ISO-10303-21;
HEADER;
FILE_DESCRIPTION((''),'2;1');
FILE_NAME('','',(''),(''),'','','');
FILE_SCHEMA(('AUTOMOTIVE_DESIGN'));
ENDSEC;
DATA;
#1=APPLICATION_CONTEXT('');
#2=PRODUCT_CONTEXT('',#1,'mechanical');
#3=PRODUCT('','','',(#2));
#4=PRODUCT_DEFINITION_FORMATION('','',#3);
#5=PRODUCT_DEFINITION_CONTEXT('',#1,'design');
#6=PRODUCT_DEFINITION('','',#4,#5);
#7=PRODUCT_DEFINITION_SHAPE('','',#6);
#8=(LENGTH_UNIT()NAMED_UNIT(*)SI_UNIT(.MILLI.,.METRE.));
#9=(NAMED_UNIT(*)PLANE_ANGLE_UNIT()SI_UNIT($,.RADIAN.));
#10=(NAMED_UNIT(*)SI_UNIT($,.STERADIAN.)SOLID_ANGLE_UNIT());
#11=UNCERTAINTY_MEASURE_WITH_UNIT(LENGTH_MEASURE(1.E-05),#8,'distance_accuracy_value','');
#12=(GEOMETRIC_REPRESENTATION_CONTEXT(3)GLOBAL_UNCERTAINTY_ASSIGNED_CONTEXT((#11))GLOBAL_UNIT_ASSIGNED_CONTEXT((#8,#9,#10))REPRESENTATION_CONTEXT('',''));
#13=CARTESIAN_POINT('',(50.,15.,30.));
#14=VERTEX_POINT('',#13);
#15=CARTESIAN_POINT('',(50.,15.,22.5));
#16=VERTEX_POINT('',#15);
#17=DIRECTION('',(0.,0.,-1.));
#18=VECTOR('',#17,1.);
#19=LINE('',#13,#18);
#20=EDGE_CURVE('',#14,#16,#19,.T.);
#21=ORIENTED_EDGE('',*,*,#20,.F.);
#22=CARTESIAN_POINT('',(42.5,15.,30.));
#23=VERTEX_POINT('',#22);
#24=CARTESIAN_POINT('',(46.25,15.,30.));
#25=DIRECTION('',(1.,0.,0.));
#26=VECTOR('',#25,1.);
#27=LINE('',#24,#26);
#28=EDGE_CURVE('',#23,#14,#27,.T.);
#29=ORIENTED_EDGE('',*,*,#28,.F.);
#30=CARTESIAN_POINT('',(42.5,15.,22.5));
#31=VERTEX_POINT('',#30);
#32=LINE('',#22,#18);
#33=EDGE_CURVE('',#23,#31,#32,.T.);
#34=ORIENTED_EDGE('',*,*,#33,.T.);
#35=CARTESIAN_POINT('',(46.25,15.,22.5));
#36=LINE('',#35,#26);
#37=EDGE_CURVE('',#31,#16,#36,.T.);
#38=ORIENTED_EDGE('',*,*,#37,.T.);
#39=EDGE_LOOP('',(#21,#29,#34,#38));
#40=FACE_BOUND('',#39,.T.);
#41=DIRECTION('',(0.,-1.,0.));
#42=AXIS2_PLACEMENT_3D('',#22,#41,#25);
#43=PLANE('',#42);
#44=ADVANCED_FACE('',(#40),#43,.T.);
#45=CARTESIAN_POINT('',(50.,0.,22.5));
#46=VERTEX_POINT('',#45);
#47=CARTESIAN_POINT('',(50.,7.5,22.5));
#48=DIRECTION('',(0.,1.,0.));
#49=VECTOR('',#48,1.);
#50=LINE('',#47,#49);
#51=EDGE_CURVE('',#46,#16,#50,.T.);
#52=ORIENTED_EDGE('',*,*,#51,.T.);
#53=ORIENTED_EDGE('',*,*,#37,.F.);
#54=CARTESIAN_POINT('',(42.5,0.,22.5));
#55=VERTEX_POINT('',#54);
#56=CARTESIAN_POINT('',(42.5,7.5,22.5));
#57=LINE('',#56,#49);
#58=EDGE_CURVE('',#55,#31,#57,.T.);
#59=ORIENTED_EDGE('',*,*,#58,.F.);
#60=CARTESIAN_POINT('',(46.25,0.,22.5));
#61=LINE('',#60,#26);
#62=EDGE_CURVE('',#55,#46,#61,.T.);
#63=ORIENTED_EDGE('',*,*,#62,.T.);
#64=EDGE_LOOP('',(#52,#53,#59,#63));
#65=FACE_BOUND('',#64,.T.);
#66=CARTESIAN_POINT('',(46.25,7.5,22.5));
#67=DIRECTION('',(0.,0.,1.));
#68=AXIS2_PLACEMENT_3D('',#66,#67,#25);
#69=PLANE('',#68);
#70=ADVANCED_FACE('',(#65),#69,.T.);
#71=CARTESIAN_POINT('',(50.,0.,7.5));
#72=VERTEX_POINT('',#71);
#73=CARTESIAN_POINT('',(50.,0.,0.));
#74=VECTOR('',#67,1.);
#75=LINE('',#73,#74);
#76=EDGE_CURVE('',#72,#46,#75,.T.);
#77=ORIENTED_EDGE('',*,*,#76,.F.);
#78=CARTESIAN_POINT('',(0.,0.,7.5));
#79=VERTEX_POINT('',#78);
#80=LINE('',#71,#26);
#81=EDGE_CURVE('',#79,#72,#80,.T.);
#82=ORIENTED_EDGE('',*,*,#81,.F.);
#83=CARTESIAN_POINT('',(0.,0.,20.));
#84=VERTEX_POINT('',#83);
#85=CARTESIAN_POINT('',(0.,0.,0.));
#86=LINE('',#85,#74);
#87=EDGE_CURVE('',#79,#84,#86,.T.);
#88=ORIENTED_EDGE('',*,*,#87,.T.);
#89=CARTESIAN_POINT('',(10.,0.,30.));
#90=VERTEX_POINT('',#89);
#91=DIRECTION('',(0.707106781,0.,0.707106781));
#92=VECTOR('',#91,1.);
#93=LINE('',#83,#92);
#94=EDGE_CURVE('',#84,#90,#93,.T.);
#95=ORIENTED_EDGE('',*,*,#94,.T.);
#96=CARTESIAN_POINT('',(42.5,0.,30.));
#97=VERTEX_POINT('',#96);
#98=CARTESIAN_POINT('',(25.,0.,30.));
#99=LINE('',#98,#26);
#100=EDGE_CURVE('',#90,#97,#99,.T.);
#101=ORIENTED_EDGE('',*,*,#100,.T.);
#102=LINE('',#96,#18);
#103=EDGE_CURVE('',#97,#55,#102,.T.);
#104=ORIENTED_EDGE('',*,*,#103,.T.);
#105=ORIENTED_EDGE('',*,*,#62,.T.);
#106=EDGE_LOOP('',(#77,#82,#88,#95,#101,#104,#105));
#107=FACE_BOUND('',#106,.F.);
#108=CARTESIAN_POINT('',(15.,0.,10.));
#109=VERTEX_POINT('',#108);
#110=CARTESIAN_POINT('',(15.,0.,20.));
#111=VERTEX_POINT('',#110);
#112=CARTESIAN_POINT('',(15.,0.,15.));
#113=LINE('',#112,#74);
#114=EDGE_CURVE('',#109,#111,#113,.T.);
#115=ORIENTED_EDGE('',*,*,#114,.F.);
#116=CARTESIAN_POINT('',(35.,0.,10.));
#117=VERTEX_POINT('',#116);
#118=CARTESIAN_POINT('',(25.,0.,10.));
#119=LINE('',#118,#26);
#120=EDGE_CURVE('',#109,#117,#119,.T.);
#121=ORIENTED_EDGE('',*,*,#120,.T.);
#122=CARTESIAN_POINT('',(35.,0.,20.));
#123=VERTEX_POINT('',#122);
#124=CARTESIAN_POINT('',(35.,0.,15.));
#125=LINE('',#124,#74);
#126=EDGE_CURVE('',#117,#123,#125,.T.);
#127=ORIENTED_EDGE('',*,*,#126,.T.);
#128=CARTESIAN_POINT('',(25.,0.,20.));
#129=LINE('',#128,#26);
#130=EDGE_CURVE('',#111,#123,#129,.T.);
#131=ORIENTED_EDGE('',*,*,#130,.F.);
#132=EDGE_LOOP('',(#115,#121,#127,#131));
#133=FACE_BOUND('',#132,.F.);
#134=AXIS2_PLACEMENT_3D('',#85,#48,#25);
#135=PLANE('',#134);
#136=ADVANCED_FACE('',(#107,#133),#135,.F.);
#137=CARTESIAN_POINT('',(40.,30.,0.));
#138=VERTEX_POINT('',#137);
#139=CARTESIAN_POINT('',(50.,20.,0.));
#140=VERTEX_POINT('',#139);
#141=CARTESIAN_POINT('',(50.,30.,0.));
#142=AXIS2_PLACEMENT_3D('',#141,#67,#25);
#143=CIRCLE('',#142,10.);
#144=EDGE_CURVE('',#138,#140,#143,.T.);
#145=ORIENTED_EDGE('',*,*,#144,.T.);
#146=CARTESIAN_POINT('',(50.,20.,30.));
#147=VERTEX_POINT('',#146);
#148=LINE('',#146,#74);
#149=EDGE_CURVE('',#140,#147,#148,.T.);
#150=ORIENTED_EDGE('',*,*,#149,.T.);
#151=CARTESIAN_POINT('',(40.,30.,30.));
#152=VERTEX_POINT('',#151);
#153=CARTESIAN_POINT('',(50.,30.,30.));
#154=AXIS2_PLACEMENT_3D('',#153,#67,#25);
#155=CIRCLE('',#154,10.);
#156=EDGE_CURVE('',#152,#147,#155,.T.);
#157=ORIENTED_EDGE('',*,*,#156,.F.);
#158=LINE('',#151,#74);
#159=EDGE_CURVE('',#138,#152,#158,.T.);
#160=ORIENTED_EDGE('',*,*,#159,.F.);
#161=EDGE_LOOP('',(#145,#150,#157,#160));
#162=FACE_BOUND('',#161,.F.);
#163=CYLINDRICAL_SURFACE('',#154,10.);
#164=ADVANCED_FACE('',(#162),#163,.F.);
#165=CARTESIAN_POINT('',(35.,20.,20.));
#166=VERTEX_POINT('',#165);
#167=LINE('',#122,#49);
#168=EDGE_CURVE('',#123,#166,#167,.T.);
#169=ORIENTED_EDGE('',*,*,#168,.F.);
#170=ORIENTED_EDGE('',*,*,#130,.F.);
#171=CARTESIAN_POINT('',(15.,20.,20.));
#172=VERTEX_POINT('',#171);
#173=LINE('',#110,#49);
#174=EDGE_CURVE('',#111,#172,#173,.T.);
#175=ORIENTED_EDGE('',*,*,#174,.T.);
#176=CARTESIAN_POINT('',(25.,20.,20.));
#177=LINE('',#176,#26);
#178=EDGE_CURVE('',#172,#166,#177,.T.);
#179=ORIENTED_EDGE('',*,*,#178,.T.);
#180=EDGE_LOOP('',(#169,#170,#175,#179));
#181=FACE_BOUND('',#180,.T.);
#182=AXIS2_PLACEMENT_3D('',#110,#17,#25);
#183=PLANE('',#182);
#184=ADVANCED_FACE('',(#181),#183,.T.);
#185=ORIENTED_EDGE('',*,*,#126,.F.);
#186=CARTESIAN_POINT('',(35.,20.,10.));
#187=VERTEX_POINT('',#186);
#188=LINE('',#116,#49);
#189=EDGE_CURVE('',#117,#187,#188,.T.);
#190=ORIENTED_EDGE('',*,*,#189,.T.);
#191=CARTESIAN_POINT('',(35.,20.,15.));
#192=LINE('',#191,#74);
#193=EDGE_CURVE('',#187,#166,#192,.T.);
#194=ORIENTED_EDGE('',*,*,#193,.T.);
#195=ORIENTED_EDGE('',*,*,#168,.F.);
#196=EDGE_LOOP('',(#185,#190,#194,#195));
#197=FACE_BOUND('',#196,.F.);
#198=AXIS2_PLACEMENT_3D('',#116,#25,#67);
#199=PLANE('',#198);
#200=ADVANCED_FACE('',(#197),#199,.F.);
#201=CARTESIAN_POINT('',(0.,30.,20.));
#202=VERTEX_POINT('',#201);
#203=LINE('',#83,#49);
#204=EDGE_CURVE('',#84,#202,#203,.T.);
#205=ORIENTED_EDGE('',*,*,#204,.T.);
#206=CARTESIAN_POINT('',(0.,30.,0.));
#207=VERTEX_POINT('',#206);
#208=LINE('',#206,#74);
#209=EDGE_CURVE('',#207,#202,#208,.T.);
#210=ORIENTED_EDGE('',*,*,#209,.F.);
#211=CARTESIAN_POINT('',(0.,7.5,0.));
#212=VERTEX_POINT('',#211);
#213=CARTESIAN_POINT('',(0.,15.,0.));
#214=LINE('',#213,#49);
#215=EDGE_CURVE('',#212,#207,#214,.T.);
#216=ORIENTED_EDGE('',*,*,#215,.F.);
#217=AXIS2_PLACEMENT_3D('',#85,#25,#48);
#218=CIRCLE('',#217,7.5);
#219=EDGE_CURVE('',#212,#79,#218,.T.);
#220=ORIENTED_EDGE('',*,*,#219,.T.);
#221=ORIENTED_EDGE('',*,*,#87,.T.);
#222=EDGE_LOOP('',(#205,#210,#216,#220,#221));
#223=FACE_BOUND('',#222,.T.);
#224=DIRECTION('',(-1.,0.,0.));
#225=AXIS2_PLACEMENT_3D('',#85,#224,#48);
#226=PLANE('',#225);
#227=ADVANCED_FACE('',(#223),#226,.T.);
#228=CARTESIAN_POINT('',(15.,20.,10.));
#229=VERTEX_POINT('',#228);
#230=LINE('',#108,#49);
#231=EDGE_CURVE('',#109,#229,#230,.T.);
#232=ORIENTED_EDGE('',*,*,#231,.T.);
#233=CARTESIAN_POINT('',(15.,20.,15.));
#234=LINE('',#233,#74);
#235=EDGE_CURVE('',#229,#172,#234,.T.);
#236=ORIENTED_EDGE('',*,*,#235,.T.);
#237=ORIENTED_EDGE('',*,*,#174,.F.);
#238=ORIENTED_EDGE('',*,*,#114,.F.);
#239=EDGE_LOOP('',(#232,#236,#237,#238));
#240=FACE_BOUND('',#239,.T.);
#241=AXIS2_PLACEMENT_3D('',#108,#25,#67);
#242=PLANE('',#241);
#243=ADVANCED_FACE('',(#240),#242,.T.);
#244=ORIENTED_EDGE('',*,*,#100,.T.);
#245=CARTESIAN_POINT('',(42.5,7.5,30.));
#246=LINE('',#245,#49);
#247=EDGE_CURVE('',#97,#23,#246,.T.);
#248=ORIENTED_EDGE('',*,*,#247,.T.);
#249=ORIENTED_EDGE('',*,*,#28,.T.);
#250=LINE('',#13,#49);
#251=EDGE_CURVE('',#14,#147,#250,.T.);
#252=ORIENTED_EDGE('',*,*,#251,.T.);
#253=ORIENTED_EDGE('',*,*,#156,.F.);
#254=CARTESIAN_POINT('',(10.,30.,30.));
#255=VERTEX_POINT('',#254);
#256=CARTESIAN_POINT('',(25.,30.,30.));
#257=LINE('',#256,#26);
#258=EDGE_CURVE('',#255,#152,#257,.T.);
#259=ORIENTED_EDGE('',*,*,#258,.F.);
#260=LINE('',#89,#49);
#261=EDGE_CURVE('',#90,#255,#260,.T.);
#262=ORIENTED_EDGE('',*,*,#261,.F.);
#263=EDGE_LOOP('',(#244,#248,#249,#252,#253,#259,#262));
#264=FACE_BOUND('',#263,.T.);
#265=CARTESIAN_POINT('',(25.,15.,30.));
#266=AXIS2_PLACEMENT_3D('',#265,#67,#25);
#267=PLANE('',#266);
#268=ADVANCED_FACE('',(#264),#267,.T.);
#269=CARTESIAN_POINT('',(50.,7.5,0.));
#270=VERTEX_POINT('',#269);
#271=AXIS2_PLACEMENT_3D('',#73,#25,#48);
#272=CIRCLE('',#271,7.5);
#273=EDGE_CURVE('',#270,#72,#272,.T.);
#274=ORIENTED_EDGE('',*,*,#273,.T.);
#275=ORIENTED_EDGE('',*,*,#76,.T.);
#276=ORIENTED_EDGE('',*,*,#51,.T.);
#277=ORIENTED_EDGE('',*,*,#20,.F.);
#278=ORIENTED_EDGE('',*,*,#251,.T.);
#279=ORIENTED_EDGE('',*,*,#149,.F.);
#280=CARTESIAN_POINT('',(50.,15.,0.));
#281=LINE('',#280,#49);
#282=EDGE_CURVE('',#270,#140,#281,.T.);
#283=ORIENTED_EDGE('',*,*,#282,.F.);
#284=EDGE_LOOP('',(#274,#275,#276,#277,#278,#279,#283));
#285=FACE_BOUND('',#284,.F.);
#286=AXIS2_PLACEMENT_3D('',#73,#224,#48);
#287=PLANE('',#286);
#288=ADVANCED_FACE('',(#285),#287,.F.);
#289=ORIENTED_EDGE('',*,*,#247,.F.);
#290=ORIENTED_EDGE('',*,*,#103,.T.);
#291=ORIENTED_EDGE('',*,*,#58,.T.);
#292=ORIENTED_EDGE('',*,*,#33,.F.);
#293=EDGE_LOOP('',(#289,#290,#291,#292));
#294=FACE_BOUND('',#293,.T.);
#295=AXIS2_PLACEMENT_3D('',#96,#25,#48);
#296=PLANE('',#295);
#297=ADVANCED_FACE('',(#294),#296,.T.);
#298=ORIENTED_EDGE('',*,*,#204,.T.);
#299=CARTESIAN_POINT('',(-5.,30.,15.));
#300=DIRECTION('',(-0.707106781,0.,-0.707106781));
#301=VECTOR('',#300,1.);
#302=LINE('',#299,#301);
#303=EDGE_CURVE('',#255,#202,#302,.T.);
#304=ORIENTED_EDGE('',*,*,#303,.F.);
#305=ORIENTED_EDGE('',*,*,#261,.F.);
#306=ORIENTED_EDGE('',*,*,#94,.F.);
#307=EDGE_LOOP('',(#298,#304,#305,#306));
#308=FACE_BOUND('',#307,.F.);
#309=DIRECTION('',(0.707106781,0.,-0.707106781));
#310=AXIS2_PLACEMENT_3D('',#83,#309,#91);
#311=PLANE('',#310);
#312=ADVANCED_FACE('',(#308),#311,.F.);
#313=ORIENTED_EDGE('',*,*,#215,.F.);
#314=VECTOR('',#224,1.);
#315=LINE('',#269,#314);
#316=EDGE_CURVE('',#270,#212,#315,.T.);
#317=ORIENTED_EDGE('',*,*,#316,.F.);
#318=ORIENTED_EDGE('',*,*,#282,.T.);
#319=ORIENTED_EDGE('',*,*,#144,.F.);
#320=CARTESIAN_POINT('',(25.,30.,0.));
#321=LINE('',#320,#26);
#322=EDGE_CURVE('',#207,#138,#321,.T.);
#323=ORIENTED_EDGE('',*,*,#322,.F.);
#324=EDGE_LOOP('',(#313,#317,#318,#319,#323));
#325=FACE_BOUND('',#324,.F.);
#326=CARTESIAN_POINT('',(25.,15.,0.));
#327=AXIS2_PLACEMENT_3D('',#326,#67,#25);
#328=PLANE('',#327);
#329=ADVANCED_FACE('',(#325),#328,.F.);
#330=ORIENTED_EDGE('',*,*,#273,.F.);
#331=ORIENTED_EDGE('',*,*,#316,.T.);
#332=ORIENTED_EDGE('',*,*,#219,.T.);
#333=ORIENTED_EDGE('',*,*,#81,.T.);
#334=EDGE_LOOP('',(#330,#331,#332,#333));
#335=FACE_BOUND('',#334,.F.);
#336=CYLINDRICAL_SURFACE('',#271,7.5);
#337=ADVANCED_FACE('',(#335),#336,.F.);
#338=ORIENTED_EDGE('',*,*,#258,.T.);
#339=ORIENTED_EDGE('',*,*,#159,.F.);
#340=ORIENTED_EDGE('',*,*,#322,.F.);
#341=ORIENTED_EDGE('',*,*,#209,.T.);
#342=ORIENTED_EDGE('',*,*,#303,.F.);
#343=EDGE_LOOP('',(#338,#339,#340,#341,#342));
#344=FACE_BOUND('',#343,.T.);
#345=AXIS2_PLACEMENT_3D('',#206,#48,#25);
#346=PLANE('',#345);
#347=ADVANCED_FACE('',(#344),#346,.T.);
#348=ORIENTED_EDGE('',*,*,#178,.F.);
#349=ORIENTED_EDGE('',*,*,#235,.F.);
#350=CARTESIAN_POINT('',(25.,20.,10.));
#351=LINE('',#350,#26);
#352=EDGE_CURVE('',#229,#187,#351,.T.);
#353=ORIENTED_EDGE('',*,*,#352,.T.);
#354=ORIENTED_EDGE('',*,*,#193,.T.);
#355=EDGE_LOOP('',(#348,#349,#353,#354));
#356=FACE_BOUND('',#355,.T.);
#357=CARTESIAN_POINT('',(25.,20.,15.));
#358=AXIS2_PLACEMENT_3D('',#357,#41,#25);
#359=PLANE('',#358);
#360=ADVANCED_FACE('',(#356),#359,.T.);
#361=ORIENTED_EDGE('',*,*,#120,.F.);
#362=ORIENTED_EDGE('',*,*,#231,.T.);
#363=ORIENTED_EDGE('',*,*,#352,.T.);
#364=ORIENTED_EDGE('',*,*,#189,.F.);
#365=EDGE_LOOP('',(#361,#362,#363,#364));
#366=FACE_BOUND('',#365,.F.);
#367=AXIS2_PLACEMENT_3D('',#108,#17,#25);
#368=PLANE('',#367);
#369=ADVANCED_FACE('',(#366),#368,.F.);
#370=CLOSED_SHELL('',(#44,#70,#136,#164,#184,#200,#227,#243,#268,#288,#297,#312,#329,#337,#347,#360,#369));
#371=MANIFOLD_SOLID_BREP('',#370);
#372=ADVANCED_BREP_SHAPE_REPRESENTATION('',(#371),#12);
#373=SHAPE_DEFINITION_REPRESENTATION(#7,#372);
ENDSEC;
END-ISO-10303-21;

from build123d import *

# Parameters (mm, degrees)
F0_W      = 50
F0_H      = 30
F1_DEPTH  = 30
F3_DEPTH  = 30.001
F4_W      = 20
F4_H      = 10
F5_DEPTH  = 20
F6_R      = 10
F7_DEPTH  = 30.001
F8_W      = 7.5
F8_H      = 15
F9_DEPTH  = 7.5
F10_R     = 7.5
F11_DEPTH = 50.001


with BuildPart() as f1:
    # F0 (on Top) → F1 (new body)
    with BuildSketch(Plane.XY):
        with Locations((25, 15)):
            Rectangle(F0_W, F0_H)
    extrude(amount=F1_DEPTH)

    # F2 (on face) → F3 (cut, through all)
    with BuildSketch(Plane.XZ):
        Polygon((10, 30), (0, 30), (0, 20), align=None)
    extrude(amount=-F3_DEPTH, mode=Mode.SUBTRACT)

    # F4 (on face) → F5 (cut)
    with BuildSketch(Plane.XZ):
        with Locations((25, 15)):
            Rectangle(F4_W, F4_H)
    extrude(amount=-F5_DEPTH, mode=Mode.SUBTRACT)

    # F6 (on face) → F7 (cut, through all)
    with BuildSketch(Plane.XY.offset(30)):
        with Locations((50, 30)):
            Circle(F6_R)
    extrude(amount=-F7_DEPTH, mode=Mode.SUBTRACT)

    # F8 (on face) → F9 (cut)
    with BuildSketch(Plane.XY.offset(30)):
        with Locations((46.25, 7.5)):
            Rectangle(F8_W, F8_H)
    extrude(amount=-F9_DEPTH, mode=Mode.SUBTRACT)

    # F10 (on face) → F11 (cut, through all)
    with BuildSketch(Plane.YZ.offset(50)):
        Circle(F10_R)
    extrude(amount=-F11_DEPTH, mode=Mode.SUBTRACT)


solid = f1.part
